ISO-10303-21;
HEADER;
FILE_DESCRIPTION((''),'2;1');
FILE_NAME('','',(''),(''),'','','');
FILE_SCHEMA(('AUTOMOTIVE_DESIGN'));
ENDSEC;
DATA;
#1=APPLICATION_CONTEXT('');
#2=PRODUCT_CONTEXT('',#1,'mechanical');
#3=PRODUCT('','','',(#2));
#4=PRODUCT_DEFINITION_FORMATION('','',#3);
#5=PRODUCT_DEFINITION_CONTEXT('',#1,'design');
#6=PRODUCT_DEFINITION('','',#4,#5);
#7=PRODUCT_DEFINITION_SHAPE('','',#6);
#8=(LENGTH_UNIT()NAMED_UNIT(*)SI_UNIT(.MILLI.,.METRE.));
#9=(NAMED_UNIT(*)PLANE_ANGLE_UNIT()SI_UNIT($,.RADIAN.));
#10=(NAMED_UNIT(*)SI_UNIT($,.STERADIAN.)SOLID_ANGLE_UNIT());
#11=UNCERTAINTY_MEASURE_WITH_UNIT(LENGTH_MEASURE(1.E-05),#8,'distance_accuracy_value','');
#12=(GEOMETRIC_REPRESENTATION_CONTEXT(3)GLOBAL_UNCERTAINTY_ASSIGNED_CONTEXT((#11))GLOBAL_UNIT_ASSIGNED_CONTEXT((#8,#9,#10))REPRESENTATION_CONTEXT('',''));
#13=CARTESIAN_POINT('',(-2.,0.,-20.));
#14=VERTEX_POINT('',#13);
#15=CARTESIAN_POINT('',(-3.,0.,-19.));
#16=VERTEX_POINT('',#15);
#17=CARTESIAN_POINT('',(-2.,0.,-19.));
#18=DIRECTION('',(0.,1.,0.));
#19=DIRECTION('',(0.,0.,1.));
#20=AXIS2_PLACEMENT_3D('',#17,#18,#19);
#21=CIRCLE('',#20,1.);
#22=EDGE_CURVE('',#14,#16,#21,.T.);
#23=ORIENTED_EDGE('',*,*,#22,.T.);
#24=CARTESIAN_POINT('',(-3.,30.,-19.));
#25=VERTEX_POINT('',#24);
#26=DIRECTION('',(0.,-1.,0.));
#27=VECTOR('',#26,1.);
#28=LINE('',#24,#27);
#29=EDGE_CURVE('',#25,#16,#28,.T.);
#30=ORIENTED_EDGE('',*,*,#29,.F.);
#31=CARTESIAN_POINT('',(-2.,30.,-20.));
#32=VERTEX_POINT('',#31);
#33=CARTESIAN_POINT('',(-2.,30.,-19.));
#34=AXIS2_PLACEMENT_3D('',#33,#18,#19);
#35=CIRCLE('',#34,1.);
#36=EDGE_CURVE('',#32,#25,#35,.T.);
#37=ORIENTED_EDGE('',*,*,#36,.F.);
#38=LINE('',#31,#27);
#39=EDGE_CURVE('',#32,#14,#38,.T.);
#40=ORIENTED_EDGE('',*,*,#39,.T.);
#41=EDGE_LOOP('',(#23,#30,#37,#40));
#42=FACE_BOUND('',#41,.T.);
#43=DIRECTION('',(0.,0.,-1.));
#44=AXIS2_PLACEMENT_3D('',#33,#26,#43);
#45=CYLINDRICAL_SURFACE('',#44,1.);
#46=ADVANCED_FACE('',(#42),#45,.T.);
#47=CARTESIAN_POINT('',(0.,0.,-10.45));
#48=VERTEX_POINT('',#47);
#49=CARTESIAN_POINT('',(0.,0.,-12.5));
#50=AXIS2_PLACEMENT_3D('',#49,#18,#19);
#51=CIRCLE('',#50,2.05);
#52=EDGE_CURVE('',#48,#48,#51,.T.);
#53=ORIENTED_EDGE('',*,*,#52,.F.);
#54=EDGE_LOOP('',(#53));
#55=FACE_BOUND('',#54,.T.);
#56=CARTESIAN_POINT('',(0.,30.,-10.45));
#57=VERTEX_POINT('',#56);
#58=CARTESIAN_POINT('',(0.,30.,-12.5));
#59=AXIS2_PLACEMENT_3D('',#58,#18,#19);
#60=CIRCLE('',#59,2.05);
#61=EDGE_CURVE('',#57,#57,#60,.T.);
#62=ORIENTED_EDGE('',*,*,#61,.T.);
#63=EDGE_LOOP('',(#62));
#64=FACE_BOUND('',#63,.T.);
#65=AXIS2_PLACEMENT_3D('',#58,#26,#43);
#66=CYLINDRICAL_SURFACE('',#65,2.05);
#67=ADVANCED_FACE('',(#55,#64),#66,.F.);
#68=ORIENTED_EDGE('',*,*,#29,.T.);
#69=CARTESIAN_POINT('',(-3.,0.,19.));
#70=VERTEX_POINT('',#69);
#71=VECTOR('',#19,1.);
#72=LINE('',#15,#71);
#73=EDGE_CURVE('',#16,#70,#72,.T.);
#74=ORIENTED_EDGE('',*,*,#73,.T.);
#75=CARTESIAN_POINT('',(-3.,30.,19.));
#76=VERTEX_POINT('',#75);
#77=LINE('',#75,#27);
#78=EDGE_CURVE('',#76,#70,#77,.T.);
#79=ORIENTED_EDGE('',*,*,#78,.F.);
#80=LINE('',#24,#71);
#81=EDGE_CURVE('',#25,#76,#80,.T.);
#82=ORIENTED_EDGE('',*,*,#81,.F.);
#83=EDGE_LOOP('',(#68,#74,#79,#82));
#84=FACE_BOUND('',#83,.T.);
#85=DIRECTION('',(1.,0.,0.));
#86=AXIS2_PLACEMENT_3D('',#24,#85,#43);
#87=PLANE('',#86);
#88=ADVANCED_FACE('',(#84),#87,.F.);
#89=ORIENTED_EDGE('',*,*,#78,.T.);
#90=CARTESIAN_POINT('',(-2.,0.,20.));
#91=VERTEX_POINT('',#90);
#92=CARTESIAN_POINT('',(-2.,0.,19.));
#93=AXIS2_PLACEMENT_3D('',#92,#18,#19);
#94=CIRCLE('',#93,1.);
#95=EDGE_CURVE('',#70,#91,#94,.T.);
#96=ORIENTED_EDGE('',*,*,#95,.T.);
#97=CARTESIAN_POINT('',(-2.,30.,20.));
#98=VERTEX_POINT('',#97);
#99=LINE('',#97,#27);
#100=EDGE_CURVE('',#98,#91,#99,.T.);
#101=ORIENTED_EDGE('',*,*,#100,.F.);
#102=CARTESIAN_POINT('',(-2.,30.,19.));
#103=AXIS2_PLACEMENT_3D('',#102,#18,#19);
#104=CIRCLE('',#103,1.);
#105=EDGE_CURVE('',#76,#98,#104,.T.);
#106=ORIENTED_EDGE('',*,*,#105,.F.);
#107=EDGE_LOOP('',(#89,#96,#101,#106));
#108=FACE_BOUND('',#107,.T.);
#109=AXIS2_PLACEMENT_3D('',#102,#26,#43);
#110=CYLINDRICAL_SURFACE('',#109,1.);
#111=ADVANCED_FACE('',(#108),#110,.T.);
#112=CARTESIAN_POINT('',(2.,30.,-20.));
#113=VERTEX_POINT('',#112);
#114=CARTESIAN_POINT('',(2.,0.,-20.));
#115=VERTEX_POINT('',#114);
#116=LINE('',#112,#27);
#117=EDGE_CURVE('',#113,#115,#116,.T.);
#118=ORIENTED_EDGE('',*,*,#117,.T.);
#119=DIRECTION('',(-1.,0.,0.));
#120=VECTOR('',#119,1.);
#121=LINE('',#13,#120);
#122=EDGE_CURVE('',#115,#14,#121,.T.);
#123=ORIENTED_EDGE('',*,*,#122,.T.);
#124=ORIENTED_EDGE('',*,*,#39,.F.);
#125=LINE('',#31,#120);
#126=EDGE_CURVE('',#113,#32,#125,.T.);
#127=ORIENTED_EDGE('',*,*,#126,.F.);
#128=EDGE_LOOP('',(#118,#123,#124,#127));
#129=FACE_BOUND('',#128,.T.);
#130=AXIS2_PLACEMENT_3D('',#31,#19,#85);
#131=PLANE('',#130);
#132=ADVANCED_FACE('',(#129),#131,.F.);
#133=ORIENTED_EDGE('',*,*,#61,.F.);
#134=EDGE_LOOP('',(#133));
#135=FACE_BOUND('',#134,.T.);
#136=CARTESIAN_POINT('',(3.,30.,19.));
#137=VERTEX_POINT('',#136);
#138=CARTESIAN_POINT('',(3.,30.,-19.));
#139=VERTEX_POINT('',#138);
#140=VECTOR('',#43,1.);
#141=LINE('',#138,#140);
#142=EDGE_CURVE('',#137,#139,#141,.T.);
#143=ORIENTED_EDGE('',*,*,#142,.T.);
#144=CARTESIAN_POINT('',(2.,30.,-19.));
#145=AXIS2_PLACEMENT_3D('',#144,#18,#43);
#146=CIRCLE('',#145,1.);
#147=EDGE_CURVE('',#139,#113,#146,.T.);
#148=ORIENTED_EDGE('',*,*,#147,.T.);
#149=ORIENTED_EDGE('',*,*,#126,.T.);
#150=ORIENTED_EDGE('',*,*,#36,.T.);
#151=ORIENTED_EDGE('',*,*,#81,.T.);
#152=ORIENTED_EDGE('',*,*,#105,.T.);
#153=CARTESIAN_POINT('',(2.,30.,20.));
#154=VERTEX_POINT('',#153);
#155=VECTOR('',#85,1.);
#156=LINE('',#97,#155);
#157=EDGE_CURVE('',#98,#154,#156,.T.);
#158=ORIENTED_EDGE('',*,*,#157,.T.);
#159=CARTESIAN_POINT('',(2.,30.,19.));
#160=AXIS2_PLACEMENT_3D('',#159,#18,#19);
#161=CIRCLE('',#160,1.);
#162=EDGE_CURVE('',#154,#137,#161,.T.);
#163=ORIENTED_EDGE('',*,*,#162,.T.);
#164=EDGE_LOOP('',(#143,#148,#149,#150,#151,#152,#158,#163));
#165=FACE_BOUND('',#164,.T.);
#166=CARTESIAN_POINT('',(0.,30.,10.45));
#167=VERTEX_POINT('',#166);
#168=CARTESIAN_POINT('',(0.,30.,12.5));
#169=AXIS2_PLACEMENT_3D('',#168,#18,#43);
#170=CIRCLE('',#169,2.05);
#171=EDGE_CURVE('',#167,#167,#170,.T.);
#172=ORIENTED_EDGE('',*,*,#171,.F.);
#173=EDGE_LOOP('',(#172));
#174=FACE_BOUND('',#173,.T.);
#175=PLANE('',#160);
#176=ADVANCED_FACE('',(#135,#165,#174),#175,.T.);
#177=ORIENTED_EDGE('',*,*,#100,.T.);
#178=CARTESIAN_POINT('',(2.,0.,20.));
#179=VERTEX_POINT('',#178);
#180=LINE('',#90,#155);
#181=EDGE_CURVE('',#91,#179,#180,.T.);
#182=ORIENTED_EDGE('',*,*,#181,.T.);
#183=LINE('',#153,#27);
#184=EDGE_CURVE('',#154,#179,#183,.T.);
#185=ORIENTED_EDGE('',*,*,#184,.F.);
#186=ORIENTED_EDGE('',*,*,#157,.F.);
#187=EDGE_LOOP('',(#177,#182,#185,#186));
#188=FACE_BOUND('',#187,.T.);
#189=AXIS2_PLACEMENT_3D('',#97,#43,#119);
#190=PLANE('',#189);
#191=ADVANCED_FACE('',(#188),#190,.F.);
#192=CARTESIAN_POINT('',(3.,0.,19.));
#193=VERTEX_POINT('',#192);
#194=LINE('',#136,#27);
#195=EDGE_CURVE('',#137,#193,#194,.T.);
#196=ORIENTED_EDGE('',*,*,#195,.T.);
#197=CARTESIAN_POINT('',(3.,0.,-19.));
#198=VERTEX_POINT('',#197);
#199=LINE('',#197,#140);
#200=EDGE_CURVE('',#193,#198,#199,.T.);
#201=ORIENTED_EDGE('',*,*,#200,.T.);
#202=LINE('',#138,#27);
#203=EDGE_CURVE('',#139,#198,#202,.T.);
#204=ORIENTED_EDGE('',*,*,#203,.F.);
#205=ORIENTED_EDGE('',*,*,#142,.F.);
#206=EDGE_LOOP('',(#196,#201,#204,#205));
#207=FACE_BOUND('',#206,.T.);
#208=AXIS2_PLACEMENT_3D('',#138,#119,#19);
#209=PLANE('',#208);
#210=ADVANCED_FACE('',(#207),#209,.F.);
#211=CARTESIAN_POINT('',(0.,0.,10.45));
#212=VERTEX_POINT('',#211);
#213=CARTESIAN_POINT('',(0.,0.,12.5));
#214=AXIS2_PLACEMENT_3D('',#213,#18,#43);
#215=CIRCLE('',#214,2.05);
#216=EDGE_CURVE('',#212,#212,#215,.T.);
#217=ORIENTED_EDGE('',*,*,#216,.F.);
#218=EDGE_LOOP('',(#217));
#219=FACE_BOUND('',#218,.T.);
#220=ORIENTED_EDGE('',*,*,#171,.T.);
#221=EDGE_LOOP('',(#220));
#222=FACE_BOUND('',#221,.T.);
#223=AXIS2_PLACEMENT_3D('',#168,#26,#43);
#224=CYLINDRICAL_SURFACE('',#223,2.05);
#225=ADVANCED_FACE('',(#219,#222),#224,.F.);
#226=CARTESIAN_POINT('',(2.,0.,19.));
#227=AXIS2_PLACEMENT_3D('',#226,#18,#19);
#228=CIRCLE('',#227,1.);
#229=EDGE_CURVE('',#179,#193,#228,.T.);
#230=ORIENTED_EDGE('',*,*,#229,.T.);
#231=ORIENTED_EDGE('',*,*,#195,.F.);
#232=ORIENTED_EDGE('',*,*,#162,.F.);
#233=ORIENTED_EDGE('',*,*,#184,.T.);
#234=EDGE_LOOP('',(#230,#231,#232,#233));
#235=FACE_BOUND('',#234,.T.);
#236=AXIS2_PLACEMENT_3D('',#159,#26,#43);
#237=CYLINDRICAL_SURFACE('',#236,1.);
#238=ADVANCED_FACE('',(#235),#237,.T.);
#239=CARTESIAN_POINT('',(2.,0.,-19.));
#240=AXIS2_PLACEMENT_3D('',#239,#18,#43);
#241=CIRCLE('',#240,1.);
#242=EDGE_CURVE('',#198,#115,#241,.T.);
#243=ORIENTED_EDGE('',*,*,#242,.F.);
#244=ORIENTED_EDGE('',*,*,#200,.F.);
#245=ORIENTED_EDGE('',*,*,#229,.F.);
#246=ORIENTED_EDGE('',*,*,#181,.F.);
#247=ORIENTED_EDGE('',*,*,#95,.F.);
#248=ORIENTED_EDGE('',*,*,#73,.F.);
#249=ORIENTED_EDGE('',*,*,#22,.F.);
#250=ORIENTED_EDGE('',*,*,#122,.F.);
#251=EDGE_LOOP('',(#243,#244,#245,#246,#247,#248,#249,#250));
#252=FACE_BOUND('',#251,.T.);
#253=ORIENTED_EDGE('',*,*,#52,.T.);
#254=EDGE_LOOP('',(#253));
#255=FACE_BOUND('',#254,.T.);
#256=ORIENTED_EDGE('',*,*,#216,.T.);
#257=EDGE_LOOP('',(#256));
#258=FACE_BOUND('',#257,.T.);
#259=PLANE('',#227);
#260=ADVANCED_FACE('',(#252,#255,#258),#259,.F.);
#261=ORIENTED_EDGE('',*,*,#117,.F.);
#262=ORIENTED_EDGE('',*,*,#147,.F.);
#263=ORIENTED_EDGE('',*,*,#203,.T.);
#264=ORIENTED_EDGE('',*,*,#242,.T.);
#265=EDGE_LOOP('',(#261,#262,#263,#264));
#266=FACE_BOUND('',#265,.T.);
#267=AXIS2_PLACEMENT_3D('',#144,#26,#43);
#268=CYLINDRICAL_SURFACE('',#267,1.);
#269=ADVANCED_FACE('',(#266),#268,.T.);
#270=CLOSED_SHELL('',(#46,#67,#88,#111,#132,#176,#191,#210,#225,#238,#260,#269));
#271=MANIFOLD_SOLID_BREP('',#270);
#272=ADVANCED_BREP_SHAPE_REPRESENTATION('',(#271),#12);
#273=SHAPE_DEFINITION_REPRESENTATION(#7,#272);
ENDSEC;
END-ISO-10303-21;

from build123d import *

# Parameters (mm, degrees)
SKETCH_1_R      = 2.05
EXTRUDE_1_DEPTH = 30


with BuildPart() as part:
    # 草图1 → 凸台-拉伸1 (new body)
    with BuildSketch(Plane(origin=(0, 0, 0), x_dir=(1, 0, 0), z_dir=(0, 1, 0))):
        with BuildLine():
            Line((-2, 20), (2, 20))
            ThreePointArc((2, 20), (2.707106781, 19.707106781), (3, 19))
            Line((3, 19), (3, -19))
            ThreePointArc((3, -19), (2.707106781, -19.707106781), (2, -20))
            Line((2, -20), (-2, -20))
            ThreePointArc((-2, -20), (-2.707106781, -19.707106781), (-3, -19))
            Line((-3, -19), (-3, 19))
            ThreePointArc((-3, 19), (-2.707106781, 19.707106781), (-2, 20))
        make_face()
        with Locations(Location((0, 12.5, 0), (0, 0, 270))):
            Circle(SKETCH_1_R, mode=Mode.SUBTRACT)
        with Locations(Location((0, -12.5, 0), (0, 0, 90))):
            Circle(SKETCH_1_R, mode=Mode.SUBTRACT)
    extrude(amount=EXTRUDE_1_DEPTH)


solid = part.part
